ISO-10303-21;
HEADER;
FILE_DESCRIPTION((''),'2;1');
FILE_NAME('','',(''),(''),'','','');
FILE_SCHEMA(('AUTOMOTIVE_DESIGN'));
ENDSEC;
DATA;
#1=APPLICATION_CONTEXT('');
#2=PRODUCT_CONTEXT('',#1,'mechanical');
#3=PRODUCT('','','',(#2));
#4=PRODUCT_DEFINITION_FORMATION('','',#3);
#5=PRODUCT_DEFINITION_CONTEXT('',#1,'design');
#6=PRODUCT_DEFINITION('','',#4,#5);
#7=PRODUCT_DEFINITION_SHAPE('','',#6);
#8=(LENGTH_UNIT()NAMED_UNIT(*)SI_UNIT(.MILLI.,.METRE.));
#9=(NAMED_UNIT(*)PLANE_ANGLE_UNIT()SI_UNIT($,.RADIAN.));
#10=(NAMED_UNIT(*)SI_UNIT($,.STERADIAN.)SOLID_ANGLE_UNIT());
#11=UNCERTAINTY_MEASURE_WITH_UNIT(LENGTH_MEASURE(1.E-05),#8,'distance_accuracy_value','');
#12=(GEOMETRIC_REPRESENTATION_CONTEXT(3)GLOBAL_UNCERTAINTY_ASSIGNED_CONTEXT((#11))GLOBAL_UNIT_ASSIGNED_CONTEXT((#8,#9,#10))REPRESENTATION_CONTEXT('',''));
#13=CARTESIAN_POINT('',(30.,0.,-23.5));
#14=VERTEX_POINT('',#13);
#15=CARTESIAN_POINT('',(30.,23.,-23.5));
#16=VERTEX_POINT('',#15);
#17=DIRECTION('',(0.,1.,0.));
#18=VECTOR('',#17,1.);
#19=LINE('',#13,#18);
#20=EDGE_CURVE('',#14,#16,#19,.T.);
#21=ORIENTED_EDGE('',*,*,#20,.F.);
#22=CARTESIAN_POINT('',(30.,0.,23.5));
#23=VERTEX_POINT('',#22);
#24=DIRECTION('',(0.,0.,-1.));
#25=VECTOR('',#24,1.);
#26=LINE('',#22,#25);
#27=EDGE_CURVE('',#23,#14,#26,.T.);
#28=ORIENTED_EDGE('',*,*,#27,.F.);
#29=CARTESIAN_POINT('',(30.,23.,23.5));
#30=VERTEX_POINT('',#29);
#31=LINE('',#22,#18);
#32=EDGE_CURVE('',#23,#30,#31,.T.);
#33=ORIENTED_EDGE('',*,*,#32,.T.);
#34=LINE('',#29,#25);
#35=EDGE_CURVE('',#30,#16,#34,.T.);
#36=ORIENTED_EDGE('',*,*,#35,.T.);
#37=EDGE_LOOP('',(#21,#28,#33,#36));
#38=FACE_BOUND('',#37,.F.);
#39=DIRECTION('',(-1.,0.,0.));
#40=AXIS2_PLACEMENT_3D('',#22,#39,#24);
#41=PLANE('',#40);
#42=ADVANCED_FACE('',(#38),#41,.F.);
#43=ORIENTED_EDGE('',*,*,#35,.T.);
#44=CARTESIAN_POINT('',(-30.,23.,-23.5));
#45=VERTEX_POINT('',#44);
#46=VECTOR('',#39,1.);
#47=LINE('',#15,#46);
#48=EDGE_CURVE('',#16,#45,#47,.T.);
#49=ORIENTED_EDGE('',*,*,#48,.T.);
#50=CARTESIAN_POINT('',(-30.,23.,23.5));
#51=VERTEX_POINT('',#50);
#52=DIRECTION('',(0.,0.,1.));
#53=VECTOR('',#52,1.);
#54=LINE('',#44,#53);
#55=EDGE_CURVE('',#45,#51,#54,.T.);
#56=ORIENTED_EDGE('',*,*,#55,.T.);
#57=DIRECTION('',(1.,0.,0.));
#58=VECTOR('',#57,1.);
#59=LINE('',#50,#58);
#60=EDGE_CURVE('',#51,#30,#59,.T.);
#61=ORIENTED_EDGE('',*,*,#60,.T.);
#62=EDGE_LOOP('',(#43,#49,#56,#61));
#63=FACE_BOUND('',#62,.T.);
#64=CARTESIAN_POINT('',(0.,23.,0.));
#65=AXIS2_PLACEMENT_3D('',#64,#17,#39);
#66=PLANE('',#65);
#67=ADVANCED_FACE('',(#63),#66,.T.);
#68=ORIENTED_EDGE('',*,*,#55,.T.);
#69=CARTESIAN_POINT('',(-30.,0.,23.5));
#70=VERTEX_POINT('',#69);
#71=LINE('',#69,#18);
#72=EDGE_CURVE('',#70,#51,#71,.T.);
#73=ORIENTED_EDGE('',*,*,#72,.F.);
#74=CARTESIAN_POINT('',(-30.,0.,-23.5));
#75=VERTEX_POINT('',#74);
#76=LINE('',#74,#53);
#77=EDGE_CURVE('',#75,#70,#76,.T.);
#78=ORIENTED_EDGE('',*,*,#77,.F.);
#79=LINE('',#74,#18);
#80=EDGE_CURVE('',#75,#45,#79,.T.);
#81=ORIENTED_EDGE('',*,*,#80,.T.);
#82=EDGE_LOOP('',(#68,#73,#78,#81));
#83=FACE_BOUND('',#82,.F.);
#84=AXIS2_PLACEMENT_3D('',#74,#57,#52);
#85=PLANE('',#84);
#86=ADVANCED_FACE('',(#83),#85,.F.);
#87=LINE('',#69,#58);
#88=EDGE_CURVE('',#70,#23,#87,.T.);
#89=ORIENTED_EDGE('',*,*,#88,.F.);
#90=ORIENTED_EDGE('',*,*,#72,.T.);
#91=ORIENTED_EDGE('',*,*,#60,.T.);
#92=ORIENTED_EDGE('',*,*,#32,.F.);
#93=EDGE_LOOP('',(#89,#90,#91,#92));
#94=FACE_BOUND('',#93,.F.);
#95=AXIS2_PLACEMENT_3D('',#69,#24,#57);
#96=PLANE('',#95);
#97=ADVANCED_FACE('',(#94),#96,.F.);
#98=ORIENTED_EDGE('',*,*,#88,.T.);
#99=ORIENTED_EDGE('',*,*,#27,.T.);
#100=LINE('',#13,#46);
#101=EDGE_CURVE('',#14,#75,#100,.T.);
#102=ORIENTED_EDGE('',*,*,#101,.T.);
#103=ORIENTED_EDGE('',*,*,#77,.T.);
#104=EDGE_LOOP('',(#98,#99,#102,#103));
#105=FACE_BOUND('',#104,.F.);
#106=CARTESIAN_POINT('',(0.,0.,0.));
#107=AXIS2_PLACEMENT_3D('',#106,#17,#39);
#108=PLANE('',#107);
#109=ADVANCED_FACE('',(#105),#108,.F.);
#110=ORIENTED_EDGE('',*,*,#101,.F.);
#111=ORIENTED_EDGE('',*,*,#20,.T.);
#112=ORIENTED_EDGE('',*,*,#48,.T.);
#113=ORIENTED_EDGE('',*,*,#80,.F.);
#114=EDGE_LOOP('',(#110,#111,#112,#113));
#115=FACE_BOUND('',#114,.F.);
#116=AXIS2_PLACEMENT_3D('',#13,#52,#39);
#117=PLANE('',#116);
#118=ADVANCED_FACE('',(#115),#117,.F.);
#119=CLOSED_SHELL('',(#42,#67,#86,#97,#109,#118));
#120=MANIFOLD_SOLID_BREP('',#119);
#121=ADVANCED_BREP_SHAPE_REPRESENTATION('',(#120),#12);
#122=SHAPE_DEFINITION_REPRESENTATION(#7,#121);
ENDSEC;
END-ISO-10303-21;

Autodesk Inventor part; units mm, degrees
ref_plane "YZ Plane" through (0, 0, 0) normal (1, 0, 0) x (0, 1, 0)
ref_plane "XZ Plane" through (0, 0, 0) normal (0, 1, 0) x (-1, 0, 0)
ref_plane "XY Plane" through (0, 0, 0) normal (0, 0, 1) x (1, 0, 0)
sketch "Sketch1" plane through (0, 0, 0) normal (0, 1, 0) x (-1, 0, 0)
  line L0 (30, 23.5) -> (-30, 23.5)
  line L1 (-30, 23.5) -> (-30, -23.5)
  line L2 (-30, -23.5) -> (30, -23.5)
  line L3 (30, -23.5) -> (30, 23.5)
  line L4 (30, 23.5) -> (-30, -23.5) construction
  line L5 (-30, 23.5) -> (30, -23.5) construction
  point P0 (0, 0)
  dimension "d0" = 47
  dimension "d1" = 60
extrude "Extrusion1" add sketch "Sketch1" along normal blind 23
properties part number "CH-1-01-motorController"
